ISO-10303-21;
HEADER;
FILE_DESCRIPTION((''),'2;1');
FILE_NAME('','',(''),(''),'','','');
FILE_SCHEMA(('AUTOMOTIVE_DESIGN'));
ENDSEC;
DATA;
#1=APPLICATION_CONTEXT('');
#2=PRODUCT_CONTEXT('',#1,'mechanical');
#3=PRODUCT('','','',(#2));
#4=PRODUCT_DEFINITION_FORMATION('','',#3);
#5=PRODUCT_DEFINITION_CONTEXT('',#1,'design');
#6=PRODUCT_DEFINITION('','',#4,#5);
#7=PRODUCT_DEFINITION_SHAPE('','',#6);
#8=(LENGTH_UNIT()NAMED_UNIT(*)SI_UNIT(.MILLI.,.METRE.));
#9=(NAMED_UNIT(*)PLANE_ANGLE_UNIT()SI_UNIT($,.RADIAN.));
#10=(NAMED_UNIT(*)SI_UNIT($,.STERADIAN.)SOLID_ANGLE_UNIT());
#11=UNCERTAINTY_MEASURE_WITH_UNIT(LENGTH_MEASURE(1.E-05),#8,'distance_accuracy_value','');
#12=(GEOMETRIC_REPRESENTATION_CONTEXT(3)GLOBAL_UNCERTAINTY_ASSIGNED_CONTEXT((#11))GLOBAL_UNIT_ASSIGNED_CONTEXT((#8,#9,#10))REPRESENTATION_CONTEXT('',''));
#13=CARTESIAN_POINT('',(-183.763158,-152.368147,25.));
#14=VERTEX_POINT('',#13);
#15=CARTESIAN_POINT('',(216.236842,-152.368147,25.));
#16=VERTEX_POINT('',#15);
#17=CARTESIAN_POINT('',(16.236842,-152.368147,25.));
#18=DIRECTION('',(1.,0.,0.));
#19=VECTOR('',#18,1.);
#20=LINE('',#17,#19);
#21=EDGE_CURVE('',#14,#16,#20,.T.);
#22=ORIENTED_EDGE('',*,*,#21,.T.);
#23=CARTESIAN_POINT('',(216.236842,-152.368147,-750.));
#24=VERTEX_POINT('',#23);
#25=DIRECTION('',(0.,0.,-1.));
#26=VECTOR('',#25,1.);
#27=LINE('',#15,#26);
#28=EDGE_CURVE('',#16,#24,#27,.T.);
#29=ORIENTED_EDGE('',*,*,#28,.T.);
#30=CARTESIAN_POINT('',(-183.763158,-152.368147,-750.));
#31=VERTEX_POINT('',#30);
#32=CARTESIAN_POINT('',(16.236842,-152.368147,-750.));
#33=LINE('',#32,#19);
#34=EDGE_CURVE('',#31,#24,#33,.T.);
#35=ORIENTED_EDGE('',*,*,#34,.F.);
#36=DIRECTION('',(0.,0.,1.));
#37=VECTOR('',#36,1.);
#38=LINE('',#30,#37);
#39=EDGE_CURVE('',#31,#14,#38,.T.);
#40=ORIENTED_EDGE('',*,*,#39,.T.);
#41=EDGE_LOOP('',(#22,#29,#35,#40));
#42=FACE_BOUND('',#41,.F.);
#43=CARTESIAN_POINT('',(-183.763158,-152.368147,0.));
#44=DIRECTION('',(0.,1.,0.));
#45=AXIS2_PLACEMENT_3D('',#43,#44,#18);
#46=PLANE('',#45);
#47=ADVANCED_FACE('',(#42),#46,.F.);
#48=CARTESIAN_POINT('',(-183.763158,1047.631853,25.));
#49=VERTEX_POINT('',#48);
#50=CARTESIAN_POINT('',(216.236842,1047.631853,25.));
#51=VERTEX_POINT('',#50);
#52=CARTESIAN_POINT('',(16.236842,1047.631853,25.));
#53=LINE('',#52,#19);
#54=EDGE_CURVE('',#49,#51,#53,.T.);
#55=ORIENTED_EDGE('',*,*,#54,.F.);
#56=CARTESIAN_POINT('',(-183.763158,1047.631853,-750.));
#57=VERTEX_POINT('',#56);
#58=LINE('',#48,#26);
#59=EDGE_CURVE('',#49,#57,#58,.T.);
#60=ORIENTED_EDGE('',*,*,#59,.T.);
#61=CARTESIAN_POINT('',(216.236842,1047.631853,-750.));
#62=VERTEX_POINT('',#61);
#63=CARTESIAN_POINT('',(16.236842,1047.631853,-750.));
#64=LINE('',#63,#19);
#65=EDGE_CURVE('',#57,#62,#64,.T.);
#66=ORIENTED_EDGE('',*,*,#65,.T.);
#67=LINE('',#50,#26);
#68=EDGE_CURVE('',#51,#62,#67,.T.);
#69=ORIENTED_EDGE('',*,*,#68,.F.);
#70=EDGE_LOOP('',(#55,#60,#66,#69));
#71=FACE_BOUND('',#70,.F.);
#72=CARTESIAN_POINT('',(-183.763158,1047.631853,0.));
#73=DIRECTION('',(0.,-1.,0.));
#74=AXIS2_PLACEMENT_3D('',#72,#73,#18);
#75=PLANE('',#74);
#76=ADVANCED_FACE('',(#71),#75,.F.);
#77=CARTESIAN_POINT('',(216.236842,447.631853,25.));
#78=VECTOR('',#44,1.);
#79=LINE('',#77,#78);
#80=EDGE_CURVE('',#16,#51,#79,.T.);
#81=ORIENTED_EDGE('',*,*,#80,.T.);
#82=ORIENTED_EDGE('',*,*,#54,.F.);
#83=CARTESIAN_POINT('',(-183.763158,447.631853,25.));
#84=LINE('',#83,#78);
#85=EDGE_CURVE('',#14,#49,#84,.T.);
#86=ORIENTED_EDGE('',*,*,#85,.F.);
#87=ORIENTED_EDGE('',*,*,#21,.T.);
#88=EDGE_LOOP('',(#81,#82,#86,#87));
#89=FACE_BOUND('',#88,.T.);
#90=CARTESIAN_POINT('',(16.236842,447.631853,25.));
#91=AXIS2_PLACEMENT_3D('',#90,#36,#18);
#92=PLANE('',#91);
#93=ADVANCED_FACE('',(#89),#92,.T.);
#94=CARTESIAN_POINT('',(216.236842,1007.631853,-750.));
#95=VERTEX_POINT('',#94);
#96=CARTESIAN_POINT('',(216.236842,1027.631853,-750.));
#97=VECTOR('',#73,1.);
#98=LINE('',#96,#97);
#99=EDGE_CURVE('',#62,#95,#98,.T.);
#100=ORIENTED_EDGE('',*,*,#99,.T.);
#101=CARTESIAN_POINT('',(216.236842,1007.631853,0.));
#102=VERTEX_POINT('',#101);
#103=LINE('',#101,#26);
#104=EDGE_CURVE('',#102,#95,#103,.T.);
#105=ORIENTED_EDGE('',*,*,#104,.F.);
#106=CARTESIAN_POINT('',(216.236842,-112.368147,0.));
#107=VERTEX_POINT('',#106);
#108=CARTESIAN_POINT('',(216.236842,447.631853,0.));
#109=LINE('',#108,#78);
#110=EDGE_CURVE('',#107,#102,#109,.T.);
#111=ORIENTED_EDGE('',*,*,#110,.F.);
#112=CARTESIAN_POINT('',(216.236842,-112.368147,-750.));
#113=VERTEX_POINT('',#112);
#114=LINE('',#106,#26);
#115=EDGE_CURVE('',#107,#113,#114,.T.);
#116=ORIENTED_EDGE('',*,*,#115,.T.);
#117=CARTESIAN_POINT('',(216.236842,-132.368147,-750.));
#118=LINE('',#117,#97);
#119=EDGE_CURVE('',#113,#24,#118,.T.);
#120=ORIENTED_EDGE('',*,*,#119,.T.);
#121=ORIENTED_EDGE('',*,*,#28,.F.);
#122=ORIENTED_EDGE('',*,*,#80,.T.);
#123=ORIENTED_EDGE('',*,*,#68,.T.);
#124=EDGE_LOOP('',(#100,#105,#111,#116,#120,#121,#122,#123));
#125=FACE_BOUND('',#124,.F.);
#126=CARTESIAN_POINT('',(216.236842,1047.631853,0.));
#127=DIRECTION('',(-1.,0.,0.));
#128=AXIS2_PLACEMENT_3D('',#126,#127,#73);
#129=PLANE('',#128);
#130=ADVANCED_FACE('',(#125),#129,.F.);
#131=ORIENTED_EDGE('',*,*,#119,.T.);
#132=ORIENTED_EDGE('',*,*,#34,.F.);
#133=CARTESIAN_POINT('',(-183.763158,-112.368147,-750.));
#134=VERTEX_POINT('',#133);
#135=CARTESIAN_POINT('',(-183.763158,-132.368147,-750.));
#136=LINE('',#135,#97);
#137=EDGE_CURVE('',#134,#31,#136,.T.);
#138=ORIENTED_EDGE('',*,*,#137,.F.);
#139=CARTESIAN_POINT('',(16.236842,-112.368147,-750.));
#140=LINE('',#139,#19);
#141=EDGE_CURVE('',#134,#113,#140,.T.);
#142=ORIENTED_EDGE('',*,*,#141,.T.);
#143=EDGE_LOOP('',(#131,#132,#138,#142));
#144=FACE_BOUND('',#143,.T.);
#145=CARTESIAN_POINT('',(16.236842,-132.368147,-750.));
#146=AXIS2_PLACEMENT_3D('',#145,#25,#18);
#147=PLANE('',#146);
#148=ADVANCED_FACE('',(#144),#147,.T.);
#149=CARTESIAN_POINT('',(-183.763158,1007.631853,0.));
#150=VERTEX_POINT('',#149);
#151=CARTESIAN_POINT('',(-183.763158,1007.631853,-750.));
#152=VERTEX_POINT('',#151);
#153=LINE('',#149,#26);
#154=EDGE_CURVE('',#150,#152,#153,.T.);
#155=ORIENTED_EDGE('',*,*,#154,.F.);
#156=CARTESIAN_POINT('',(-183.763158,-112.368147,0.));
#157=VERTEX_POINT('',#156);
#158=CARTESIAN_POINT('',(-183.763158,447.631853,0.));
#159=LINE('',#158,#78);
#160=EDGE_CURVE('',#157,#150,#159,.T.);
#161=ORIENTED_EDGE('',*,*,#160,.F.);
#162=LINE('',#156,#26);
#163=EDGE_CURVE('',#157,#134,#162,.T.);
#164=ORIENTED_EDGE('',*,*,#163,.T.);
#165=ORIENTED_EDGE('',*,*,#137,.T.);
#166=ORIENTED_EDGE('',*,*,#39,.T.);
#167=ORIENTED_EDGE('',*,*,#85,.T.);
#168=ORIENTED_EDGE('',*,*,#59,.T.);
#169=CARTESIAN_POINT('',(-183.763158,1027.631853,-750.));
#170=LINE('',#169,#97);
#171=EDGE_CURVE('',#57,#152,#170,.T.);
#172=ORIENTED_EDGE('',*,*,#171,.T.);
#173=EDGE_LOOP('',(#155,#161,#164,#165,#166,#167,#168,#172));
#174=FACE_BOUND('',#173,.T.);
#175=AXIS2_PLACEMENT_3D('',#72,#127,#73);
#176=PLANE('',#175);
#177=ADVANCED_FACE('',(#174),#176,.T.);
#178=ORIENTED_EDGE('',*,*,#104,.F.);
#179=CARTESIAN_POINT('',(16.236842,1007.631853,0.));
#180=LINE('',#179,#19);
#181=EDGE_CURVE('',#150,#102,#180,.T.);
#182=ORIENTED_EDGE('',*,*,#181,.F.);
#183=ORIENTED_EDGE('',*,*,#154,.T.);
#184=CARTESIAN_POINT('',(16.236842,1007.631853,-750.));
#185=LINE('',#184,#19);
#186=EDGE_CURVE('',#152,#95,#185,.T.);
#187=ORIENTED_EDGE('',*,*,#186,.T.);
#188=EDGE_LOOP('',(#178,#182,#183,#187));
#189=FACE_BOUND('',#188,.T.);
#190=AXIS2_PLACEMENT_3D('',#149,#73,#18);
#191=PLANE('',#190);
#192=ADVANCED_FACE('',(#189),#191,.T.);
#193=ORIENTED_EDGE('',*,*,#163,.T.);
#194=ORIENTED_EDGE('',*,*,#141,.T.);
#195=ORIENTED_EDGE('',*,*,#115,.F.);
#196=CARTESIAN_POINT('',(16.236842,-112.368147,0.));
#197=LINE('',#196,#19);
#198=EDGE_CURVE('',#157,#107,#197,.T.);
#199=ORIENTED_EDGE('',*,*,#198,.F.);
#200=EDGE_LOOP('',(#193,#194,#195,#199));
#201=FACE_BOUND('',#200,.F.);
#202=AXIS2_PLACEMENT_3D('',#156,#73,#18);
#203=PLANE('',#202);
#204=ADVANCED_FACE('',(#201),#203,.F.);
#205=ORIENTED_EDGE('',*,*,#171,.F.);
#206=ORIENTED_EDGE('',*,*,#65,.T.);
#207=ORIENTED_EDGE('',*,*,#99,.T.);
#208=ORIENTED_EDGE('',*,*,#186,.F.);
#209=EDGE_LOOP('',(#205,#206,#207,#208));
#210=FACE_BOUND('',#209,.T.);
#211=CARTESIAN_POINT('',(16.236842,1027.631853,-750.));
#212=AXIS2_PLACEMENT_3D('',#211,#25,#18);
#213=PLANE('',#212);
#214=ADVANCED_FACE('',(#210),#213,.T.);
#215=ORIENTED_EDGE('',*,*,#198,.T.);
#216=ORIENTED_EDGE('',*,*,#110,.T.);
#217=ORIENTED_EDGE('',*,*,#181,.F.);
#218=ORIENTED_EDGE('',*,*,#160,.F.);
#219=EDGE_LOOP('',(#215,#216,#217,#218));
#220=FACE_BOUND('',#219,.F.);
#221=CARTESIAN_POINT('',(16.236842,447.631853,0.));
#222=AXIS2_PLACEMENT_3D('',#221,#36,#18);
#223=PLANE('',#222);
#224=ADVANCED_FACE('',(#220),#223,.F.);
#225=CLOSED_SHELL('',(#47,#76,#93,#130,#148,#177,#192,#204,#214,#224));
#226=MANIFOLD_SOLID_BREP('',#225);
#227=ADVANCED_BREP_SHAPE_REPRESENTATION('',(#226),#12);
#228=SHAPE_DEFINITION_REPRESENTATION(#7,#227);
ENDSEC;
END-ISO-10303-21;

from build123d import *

# Parameters (mm, degrees)
F0_W     = 400
F0_H     = 1200
F1_DEPTH = 25
F2_W     = 400
F2_H     = 40
F3_DEPTH = 750


with BuildPart() as f1:
    # F0 (on Top) → F1 (new body)
    with BuildSketch(Plane.XY):
        with Locations((16.236842, 447.631853)):
            Rectangle(F0_W, F0_H)
    extrude(amount=F1_DEPTH)

    # F2 (on face) → F3 (join)
    with BuildSketch(Plane(origin=(0, 0, 0), x_dir=(1, 0, 0), z_dir=(0, 0, -1))):
        with Locations((16.236842, -1027.631853)):
            Rectangle(F2_W, F2_H)
        with Locations((16.236842, 132.368147)):
            Rectangle(F2_W, F2_H)
    extrude(amount=F3_DEPTH)


solid = f1.part
